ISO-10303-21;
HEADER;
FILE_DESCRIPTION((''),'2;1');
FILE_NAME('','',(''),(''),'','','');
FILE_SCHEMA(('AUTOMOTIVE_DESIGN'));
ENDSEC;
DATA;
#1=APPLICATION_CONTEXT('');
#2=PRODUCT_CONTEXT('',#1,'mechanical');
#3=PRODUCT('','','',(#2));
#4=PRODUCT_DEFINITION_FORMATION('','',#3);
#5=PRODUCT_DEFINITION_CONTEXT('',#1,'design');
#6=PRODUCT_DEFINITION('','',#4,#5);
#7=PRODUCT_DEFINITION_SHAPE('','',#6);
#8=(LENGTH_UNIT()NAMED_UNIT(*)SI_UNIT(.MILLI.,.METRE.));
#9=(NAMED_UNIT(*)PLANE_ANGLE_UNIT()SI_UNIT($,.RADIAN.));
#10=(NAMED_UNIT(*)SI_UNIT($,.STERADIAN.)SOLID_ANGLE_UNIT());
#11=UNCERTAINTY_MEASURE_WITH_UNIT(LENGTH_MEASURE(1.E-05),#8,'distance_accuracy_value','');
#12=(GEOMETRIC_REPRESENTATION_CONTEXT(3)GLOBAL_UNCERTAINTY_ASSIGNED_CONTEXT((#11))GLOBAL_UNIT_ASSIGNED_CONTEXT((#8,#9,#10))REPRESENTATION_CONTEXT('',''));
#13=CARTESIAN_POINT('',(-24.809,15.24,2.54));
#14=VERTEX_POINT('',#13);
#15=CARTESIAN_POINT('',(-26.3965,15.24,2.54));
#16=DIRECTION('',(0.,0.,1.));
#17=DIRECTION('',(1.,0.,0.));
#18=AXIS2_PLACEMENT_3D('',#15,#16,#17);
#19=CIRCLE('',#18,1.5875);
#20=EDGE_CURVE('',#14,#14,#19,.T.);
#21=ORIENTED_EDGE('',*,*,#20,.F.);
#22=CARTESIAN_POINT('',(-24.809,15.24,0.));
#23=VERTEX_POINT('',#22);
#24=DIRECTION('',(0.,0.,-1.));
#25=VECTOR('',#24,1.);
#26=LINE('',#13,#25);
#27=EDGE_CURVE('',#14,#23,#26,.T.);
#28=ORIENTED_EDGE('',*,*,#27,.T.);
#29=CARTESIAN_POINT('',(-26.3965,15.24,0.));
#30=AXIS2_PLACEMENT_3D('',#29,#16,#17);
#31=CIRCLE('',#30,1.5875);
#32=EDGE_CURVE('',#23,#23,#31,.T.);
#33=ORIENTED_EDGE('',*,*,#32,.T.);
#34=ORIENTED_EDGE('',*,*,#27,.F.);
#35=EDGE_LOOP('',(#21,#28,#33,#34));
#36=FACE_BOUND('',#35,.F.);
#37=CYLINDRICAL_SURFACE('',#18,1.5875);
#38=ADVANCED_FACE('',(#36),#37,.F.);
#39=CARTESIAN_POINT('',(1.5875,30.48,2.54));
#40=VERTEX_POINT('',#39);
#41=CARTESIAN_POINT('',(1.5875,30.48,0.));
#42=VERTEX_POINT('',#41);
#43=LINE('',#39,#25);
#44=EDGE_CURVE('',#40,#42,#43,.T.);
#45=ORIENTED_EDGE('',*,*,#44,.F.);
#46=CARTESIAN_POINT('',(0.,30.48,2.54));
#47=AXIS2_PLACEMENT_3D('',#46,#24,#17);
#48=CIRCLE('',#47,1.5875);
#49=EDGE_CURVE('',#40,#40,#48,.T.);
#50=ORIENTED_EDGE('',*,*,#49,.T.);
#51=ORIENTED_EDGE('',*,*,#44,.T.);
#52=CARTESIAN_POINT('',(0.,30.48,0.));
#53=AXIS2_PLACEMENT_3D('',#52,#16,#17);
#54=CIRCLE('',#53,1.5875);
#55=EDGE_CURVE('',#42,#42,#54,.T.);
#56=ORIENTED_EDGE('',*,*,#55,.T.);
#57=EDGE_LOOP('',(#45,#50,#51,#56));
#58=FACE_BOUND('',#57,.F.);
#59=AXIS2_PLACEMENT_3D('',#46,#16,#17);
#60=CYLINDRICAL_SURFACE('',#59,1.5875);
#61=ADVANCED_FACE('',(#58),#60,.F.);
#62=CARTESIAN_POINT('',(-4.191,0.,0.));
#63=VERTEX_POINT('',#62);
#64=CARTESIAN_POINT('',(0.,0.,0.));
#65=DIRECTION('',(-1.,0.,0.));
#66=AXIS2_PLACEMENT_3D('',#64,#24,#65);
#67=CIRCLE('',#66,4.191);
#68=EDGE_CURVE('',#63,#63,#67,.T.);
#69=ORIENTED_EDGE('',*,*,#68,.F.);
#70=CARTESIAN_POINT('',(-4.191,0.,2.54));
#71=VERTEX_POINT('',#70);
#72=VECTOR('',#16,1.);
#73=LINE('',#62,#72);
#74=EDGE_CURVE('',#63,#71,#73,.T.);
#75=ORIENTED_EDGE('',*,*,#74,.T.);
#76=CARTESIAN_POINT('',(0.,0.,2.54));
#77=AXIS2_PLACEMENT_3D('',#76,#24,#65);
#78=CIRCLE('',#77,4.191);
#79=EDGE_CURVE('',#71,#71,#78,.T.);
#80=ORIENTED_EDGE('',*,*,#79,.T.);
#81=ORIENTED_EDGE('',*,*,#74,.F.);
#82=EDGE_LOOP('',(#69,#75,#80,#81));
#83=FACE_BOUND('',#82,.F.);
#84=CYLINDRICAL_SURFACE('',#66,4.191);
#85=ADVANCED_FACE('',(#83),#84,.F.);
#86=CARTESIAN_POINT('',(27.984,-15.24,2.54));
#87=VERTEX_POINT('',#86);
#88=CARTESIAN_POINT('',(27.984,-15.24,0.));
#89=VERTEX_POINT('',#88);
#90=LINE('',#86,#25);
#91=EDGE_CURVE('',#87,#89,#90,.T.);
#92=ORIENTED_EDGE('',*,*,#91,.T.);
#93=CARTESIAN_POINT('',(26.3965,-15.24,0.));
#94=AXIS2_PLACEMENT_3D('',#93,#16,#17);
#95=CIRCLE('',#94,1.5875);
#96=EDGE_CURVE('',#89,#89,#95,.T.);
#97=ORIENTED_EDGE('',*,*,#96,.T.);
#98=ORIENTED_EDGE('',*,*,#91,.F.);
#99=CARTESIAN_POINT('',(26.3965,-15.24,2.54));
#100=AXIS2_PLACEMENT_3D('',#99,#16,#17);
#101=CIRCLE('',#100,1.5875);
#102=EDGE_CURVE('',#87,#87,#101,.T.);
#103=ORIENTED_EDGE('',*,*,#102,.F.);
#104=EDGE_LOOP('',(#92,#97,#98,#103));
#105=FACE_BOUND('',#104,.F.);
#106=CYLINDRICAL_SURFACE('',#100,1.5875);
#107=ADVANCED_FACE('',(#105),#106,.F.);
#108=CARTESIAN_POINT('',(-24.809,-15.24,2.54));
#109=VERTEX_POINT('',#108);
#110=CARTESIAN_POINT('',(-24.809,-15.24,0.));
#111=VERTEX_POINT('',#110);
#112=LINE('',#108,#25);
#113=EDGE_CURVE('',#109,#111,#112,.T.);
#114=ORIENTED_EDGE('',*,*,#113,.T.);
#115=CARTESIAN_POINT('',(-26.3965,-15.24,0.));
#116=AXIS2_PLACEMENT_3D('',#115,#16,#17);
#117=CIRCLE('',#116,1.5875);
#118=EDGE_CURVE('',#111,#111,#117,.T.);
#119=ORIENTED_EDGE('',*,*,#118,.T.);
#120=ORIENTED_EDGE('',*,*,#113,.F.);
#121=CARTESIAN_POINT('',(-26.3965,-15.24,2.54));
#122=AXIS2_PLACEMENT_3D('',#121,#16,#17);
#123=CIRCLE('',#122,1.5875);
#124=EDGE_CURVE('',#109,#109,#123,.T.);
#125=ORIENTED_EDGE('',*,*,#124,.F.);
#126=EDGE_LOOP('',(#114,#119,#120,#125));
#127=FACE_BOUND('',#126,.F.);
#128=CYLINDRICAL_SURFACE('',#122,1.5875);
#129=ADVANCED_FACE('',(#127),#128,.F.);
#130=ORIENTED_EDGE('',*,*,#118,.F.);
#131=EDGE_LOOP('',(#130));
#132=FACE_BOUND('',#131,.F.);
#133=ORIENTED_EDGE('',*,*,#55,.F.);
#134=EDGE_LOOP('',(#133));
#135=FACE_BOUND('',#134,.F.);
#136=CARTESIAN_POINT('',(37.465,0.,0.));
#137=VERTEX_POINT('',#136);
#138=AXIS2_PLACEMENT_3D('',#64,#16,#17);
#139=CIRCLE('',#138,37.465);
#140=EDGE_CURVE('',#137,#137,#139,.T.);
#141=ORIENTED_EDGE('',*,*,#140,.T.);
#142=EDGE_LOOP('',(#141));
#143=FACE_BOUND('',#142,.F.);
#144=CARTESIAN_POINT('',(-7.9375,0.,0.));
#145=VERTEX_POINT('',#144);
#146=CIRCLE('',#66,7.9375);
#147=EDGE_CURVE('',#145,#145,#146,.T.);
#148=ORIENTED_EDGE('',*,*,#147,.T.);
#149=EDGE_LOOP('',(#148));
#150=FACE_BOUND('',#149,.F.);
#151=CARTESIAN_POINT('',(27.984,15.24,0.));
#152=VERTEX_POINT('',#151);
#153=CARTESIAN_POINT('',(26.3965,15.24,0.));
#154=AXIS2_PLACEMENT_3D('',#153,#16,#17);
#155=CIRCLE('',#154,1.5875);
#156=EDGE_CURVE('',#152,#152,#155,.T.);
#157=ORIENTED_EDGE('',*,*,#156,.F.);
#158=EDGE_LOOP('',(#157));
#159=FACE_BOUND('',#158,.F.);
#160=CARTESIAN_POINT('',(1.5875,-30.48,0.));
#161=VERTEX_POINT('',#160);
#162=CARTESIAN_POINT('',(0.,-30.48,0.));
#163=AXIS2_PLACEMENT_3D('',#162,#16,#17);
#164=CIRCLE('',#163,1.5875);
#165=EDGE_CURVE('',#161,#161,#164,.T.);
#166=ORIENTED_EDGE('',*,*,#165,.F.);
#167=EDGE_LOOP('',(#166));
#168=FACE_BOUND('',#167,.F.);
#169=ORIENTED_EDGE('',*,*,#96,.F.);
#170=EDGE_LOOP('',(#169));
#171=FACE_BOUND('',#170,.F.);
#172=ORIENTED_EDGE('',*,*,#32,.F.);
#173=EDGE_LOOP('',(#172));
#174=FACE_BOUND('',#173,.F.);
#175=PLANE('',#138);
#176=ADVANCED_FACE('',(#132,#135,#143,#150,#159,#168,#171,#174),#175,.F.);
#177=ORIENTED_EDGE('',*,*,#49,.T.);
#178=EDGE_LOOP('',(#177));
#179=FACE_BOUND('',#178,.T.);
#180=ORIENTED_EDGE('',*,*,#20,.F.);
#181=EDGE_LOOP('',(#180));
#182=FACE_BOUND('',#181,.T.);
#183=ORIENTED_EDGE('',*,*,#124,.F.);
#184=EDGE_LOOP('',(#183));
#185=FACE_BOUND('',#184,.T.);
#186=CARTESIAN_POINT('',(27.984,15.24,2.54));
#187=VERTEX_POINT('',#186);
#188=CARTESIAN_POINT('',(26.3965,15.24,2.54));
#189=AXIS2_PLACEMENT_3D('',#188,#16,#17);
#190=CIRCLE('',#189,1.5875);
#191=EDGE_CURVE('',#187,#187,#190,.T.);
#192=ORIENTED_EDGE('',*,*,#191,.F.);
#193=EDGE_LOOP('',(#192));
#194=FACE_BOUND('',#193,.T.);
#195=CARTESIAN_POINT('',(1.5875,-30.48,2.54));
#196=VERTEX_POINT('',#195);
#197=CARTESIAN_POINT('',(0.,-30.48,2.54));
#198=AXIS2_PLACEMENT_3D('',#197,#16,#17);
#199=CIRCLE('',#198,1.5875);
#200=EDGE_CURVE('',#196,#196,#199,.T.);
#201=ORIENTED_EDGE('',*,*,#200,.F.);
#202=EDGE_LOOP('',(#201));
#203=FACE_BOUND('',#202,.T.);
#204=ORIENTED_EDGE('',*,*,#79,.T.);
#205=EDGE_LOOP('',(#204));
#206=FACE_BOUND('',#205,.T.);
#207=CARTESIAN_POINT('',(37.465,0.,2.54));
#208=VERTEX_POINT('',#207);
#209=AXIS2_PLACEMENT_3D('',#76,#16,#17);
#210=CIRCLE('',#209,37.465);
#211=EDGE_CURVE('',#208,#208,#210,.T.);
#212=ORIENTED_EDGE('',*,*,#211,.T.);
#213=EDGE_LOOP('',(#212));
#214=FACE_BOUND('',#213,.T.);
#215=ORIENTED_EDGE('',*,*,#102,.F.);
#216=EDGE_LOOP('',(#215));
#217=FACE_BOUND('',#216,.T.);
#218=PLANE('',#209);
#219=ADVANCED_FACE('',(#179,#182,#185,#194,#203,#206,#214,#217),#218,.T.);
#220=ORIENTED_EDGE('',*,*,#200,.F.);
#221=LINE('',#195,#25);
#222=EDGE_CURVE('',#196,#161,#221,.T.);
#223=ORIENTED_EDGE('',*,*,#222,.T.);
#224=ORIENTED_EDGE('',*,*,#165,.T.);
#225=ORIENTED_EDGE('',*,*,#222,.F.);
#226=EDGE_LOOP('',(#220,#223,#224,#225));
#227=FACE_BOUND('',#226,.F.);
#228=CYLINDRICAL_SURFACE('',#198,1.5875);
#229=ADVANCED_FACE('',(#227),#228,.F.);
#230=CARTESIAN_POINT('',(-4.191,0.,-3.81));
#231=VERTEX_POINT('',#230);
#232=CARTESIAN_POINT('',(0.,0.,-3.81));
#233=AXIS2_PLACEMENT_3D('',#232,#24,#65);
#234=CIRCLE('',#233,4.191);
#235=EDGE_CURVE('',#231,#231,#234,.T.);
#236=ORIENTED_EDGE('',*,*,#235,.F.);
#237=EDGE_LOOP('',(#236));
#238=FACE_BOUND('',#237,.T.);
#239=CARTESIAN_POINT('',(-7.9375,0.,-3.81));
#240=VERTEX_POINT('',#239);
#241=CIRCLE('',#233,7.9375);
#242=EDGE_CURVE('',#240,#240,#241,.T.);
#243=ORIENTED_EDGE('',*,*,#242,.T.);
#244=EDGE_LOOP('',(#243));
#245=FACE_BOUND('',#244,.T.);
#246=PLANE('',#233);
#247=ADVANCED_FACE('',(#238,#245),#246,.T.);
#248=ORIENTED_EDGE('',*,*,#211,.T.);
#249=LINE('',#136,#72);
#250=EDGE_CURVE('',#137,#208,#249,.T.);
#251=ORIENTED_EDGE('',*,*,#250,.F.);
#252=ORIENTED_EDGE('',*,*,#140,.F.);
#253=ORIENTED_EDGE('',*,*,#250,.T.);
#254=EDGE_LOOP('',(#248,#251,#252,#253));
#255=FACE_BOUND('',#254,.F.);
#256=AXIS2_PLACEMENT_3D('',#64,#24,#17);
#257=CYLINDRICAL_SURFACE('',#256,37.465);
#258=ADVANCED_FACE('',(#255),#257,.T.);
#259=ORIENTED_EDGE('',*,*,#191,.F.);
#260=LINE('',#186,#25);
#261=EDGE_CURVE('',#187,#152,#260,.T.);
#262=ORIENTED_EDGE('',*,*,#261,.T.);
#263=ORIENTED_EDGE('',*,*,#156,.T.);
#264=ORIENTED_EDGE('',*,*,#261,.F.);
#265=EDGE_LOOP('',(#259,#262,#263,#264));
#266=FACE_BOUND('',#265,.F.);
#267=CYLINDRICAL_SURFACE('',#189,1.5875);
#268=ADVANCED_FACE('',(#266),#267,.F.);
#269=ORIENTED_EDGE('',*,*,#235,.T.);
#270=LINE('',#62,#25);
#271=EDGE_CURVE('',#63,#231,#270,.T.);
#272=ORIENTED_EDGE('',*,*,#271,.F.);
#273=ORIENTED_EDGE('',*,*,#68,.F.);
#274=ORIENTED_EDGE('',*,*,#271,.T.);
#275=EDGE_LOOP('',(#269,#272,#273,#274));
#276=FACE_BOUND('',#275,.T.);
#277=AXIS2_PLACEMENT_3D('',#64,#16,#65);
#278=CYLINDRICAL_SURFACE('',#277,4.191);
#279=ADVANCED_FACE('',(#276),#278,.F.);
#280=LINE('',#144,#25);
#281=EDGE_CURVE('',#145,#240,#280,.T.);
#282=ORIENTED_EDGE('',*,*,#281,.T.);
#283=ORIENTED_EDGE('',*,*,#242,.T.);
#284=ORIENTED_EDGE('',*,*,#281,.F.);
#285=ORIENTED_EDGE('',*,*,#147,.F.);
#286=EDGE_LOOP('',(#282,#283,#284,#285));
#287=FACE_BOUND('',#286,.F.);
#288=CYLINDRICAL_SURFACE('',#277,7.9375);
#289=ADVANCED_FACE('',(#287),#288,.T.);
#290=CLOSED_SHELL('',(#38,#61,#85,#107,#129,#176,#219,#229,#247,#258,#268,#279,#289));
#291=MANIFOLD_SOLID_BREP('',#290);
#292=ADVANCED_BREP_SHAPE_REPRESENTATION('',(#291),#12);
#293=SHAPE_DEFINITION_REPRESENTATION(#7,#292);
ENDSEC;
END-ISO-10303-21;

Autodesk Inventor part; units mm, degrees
ref_plane "YZ Plane" through (0, 0, 0) normal (1, 0, 0) x (0, 1, 0)
ref_plane "XZ Plane" through (0, 0, 0) normal (0, 1, 0) x (-1, 0, 0)
ref_plane "XY Plane" through (0, 0, 0) normal (0, 0, 1) x (1, 0, 0)
sketch "Sketch1" plane through (0, 0, 0) normal (0, 0, 1) x (1, 0, 0)
  circle A0 centre (0, 0) radius 37.465
  dimension "d0" = 74.93
extrude "Extrusion1" add sketch "Sketch1" along normal blind 2.54
sketch "Sketch3" plane through (0, 0, 0) normal (0, 0, -1) x (-1, 0, 0)
  circle A0 centre (0, 0) radius 4.191
  circle A1 centre (0, 0) radius 7.9375
  circle A2 centre (0, 0) radius 2.3813
  dimension "d4" = 8.382
  dimension "d5" = 15.875
  dimension "d6" = 4.7625
extrude "Extrusion3" cut sketch "Sketch3" against normal through all contours A0 | A2
extrude "Extrusion4" add sketch "Sketch3" along normal blind 3.81 contours A1
sketch "Sketch4" plane through (0, 0, 2.54) normal (0, 0, 1) x (1, 0, 0)
  line L0 (0, 0) -> (0, 30.48)
  circle A0 centre (0, 30.48) radius 1.5875
  circle A1 centre (-26.3965, 15.24) radius 1.5875
  circle A2 centre (-26.3965, -15.24) radius 1.5875
  circle A3 centre (0, -30.48) radius 1.5875
  circle A4 centre (26.3965, -15.24) radius 1.5875
  circle A5 centre (26.3965, 15.24) radius 1.5875
  dimension "d13" = 30.48
  dimension "d14" = 3.175
  dimension "d17" = 360
extrude "Extrusion5" cut sketch "Sketch4" against normal blind 25.4
properties part number "SpoolEndFrontSide"
